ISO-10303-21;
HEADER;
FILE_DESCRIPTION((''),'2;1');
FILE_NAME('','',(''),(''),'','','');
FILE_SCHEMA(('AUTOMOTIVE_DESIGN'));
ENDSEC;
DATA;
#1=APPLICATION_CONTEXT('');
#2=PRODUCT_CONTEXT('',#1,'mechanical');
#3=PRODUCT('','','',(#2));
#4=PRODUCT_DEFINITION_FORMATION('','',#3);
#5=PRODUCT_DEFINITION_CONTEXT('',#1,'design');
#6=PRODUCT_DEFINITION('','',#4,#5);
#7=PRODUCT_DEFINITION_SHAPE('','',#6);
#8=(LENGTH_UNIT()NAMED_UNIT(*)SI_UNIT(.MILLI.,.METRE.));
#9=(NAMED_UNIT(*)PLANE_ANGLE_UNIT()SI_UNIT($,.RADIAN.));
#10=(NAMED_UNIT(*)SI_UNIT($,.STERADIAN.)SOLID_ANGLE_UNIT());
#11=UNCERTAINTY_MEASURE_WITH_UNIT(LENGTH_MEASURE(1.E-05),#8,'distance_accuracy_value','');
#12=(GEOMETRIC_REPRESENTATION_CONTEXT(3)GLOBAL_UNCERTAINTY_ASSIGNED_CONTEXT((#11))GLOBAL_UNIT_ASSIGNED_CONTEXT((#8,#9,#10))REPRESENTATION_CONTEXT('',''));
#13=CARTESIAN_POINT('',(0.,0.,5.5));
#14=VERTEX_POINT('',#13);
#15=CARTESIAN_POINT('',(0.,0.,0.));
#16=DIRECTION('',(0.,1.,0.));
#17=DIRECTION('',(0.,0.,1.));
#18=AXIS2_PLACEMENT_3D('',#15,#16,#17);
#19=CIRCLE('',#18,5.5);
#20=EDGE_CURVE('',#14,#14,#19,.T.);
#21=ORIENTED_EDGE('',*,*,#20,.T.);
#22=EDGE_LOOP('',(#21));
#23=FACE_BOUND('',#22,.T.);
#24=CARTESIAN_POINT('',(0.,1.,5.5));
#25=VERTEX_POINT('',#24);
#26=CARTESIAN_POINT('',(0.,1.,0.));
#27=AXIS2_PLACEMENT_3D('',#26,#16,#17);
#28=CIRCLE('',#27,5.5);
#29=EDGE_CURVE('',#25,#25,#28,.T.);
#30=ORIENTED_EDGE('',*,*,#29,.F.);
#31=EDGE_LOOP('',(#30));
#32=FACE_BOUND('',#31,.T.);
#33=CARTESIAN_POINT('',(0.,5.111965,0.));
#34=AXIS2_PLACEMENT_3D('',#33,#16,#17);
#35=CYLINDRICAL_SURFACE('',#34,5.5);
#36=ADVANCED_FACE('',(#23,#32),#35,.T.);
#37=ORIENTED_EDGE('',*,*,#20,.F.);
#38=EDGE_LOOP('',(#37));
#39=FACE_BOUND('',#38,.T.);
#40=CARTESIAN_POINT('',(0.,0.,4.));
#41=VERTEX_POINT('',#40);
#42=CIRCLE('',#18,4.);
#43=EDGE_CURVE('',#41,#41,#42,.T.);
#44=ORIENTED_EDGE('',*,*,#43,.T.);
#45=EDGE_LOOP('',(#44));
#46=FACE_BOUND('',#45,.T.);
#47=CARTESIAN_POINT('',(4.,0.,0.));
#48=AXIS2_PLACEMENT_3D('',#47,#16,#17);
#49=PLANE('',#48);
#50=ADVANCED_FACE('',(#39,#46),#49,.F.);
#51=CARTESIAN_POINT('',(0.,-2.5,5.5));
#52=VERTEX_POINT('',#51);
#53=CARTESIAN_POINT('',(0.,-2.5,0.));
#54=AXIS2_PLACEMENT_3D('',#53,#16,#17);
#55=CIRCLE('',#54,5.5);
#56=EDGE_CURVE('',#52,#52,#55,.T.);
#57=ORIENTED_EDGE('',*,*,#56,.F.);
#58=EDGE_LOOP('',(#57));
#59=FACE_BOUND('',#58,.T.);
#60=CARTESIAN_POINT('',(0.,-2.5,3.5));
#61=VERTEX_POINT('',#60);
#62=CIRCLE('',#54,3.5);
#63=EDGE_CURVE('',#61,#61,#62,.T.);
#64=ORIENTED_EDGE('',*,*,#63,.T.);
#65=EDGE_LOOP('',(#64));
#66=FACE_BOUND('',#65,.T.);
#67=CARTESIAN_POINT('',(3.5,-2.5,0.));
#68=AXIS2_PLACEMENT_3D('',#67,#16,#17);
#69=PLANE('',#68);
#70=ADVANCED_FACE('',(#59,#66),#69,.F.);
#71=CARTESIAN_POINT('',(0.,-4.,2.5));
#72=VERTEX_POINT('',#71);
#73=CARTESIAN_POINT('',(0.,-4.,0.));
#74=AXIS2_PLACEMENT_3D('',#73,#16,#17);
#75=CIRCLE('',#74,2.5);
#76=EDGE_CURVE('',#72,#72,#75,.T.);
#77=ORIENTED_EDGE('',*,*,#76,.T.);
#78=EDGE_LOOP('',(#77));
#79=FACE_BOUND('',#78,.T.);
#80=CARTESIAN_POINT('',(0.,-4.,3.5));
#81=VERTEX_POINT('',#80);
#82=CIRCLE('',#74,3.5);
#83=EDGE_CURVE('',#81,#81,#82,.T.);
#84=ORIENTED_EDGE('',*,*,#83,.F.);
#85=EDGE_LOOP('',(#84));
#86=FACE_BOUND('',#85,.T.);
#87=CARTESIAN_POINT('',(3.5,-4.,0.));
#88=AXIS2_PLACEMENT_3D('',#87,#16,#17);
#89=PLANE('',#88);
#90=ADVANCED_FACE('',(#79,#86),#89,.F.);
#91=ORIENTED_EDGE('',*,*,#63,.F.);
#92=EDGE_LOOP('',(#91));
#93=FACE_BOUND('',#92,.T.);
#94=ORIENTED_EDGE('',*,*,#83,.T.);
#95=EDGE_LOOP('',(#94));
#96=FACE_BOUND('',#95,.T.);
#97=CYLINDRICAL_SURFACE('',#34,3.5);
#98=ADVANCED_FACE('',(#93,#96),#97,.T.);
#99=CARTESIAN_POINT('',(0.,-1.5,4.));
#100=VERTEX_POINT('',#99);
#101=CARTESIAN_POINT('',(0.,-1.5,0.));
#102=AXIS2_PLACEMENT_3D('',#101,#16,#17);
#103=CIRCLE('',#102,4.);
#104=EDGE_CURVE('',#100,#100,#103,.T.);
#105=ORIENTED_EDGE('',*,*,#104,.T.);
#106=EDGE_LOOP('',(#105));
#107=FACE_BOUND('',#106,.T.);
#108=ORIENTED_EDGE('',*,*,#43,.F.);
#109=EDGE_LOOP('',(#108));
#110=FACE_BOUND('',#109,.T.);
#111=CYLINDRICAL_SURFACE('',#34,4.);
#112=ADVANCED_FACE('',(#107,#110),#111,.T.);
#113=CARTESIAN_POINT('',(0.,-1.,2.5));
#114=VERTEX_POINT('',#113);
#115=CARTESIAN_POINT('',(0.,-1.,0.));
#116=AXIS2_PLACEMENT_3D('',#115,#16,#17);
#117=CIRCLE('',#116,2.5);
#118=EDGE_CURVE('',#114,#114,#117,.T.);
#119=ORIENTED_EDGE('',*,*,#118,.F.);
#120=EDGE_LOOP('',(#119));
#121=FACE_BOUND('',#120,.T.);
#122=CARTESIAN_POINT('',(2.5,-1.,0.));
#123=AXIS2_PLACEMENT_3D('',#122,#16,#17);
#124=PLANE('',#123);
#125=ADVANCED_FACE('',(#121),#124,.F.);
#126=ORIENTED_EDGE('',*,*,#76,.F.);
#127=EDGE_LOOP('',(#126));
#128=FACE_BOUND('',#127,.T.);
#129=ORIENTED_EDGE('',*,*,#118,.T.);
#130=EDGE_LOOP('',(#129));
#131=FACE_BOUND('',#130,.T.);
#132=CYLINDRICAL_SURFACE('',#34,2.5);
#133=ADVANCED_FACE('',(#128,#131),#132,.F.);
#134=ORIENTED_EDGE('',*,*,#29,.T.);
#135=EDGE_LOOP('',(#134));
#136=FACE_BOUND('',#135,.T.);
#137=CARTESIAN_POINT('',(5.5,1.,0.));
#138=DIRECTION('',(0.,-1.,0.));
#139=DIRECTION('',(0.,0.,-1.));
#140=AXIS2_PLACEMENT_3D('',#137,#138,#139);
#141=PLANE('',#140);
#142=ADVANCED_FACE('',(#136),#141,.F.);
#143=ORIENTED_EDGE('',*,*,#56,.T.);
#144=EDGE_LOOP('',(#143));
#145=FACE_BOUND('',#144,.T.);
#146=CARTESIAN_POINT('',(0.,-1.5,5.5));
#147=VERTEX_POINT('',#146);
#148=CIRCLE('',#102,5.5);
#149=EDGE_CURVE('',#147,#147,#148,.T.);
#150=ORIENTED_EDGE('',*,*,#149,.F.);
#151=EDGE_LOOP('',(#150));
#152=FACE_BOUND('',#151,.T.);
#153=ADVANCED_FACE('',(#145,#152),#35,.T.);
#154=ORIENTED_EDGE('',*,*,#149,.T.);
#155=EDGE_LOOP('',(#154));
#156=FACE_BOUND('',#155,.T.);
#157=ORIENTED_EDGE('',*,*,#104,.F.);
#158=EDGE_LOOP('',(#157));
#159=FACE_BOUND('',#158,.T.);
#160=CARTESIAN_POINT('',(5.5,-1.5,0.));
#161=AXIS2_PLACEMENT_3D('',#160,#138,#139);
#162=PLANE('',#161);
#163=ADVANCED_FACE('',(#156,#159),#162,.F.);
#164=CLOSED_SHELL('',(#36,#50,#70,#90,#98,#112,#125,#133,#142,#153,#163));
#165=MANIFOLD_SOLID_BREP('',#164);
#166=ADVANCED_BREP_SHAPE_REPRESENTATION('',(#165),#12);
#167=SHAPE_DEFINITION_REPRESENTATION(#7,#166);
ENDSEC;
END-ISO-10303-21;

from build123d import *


with BuildPart() as part:
    # Croquis1 → Revolución1 (revolve)
    with BuildSketch(Plane.XY, mode=Mode.PRIVATE) as revoluci_n1_sk:
        Polygon((3.5, -2.5), (5.5, -2.5), (5.5, -1.5), (4, -1.5), (4, 0), (5.5, 0), (5.5, 1), (0, 1), (0, -1), (2.5, -1), (2.5, -4), (3.5, -4), align=None)
    revolve(revoluci_n1_sk.sketch.rotate(Axis((0, 5.111965401, 0), (0, -1, 0)), 90), axis=Axis((0, 5.111965401, 0), (0, -1, 0)))


solid = part.part
